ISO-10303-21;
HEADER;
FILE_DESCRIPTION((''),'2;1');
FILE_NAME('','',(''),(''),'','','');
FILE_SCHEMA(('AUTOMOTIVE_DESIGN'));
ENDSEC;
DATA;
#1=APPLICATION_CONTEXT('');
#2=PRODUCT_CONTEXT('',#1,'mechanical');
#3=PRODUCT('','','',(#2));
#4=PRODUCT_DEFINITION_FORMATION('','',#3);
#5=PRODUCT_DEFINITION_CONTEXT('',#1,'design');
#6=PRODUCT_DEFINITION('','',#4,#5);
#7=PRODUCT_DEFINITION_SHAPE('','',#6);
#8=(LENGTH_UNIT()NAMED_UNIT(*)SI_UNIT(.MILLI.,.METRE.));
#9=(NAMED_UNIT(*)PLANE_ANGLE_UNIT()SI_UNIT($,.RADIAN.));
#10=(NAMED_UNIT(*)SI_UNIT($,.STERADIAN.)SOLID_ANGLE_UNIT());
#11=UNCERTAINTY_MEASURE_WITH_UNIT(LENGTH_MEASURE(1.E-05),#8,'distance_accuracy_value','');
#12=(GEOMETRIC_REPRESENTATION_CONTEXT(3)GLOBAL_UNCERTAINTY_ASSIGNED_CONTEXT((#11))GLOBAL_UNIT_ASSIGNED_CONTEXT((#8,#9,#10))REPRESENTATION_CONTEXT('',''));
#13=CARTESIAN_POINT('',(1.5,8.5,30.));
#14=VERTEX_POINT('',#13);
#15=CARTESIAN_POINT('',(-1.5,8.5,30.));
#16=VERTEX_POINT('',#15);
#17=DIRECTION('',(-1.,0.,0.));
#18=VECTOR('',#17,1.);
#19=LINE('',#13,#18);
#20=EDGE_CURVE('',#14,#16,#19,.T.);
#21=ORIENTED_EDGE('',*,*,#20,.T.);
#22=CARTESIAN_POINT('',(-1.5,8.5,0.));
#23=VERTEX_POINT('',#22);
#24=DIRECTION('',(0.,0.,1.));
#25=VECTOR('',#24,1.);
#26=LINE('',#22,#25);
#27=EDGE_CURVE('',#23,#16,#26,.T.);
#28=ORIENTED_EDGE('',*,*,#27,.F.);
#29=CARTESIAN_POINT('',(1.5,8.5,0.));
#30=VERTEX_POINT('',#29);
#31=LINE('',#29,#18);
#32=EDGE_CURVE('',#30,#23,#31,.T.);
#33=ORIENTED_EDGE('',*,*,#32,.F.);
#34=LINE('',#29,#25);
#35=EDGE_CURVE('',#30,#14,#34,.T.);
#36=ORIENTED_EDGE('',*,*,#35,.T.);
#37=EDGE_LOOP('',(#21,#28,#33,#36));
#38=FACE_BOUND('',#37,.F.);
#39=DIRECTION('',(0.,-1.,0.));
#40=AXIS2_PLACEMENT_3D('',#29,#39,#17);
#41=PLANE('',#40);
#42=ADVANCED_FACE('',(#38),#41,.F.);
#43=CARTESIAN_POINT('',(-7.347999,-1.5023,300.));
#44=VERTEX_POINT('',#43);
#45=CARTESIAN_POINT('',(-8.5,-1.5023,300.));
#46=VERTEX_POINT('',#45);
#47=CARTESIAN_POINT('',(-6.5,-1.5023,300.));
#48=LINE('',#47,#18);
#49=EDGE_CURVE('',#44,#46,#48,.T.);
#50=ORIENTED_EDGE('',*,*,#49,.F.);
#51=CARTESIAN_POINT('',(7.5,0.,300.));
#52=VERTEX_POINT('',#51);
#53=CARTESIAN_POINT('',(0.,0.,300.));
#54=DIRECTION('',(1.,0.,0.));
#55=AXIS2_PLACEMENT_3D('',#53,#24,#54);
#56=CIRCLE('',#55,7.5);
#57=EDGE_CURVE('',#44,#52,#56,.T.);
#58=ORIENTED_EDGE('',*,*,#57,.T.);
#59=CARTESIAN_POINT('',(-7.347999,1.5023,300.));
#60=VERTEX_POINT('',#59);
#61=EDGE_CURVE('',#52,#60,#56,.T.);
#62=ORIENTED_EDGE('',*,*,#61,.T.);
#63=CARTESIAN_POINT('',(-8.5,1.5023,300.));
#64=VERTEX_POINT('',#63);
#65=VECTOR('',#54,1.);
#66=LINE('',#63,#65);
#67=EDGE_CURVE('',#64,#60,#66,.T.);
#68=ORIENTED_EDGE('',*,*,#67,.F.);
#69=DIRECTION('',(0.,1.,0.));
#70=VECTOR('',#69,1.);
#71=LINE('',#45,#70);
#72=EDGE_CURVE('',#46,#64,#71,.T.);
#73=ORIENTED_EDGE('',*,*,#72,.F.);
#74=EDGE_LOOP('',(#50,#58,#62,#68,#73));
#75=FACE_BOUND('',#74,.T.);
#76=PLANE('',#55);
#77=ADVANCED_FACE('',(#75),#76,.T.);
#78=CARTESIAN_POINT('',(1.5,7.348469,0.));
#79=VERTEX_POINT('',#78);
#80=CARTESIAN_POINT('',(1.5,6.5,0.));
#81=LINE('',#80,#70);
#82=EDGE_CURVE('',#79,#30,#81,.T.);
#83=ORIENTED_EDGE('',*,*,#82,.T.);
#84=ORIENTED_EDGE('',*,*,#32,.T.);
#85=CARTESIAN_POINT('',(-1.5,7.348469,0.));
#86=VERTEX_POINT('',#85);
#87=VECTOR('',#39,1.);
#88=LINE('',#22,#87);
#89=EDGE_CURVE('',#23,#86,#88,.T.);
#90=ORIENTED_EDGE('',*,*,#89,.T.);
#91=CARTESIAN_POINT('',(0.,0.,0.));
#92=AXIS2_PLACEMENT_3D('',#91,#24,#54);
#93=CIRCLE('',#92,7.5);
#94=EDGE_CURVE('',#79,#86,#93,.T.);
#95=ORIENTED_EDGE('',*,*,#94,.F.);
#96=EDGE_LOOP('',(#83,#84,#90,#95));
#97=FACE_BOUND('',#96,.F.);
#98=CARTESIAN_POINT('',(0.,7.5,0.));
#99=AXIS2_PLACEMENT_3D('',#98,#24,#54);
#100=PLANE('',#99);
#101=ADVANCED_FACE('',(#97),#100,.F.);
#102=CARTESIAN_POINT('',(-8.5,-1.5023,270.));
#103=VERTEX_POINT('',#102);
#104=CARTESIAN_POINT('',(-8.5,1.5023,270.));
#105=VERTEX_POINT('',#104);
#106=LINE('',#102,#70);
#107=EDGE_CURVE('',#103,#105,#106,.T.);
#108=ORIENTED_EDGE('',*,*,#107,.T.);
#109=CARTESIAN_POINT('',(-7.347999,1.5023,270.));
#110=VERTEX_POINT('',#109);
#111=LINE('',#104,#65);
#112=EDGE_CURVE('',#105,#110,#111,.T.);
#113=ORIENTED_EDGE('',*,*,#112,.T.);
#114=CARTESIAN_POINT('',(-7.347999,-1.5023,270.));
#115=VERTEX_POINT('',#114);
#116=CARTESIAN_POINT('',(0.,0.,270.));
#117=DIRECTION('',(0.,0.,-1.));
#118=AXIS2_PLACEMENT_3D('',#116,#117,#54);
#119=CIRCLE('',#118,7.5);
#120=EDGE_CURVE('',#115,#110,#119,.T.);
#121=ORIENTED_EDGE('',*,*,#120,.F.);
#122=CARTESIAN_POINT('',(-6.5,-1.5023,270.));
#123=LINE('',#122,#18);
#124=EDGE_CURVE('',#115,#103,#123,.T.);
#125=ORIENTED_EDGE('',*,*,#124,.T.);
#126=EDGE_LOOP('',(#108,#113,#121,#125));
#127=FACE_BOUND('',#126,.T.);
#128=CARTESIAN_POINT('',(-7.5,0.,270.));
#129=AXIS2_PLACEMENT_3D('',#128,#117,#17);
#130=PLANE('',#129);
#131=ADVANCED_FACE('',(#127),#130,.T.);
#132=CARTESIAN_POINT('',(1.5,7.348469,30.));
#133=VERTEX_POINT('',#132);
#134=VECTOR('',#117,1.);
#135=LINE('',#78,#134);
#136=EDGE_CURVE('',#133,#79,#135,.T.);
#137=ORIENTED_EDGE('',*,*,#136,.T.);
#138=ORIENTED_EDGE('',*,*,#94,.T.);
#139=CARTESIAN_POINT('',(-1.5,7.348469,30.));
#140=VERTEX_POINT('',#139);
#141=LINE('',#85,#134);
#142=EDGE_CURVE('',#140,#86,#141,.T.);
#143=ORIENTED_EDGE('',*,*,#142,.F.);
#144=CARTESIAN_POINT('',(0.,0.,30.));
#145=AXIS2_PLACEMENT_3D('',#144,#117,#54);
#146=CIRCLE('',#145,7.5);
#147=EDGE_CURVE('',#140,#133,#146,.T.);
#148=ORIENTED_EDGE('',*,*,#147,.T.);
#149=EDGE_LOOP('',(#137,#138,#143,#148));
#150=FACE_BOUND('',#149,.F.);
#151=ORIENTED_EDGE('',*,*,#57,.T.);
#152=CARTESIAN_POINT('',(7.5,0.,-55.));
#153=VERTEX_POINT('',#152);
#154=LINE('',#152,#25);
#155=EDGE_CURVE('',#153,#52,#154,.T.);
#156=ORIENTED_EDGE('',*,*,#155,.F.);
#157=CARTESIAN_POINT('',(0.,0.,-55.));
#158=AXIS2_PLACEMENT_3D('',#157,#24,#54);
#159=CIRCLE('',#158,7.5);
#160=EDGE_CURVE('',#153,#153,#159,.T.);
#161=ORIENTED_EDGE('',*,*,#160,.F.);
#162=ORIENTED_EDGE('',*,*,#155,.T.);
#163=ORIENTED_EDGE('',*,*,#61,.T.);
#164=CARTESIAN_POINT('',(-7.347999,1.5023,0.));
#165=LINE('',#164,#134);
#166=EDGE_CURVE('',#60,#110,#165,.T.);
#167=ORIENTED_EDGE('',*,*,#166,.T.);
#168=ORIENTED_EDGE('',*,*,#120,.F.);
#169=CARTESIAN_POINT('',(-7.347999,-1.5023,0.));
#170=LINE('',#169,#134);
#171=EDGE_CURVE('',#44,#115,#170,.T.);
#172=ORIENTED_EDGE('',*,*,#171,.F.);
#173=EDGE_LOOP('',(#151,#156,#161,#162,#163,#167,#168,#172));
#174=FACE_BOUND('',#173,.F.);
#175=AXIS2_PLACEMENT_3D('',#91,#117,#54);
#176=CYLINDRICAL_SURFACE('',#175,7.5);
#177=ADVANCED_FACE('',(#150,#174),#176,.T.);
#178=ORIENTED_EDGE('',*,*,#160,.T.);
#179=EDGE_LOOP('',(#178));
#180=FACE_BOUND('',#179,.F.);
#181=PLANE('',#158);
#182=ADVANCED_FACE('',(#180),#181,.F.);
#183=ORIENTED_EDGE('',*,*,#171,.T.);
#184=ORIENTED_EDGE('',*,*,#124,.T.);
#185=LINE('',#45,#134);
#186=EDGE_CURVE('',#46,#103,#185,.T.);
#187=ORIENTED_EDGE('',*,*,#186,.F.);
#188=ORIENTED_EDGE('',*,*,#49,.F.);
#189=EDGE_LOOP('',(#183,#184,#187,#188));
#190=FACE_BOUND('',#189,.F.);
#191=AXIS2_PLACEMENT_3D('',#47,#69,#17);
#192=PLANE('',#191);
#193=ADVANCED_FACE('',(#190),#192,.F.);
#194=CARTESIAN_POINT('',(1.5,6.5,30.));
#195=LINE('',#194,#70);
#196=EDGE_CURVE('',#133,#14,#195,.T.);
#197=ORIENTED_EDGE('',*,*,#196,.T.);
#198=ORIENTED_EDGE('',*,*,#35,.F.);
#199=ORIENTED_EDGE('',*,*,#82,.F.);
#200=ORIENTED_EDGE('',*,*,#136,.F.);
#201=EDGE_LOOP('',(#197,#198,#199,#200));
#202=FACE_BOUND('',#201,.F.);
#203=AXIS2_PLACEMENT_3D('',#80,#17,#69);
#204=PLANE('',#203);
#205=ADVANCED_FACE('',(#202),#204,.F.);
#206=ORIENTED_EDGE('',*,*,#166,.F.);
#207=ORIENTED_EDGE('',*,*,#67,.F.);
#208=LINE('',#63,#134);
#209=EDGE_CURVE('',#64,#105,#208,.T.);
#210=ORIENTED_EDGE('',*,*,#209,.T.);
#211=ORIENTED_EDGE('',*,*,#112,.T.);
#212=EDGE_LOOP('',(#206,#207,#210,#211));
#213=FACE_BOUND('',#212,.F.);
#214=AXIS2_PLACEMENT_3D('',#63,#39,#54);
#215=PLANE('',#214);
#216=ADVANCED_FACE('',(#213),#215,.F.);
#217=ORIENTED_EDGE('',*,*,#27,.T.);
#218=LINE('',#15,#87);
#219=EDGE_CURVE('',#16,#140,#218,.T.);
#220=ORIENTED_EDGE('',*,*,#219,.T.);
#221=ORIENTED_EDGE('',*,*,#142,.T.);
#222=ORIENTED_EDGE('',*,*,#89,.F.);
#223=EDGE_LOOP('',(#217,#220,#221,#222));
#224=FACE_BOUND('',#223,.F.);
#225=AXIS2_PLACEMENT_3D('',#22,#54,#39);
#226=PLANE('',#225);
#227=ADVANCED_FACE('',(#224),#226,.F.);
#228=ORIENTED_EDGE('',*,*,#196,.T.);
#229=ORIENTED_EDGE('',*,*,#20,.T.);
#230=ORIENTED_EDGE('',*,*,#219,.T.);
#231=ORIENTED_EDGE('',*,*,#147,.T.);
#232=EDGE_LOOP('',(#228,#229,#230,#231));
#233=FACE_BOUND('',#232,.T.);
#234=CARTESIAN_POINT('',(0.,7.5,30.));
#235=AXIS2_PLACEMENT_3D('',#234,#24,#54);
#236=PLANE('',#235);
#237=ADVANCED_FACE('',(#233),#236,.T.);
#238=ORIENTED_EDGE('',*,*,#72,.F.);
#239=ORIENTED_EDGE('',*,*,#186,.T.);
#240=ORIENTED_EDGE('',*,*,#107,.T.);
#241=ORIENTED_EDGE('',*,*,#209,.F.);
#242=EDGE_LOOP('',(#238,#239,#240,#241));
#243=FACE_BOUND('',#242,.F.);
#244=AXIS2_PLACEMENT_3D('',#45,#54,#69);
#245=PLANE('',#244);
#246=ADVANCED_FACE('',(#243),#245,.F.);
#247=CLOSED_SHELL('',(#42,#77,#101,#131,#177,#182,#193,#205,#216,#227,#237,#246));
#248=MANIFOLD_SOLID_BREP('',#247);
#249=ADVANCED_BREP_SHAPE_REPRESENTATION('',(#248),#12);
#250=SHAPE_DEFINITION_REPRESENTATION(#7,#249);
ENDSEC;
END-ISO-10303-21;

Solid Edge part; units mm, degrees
sketch "Sketch1" plane through (0, 0, 0) normal (0, 0, 1) x (1, 0, 0)
  circle A0 centre (0, 0) radius 7.5
  dimension "D1" = 15
extrude "ExtrudedProtrusion_1" add sketch "Sketch1" along normal blind 300 and the other way blind 55
sketch "Sketch2" plane through (0, 0, 0) normal (0, 0, 1) x (1, 0, 0)
  line L0 (-1.5, 6.5) -> (1.5, 6.5)
  line L1 (1.5, 6.5) -> (1.5, 8.5)
  line L2 (1.5, 8.5) -> (-1.5, 8.5)
  line L3 (-1.5, 8.5) -> (-1.5, 6.5)
  dimension "D1" = 6.5
  dimension "D2" = 3
extrude "ExtrudedProtrusion_2" add sketch "Sketch2" along normal blind 30
sketch "Sketch3" plane through (0, 0, 300) normal (0, 0, 1) x (0, 1, 0)
  line L0 (1.5023, 6.5) -> (-1.5023, 6.5)
  line L1 (-1.5023, 6.5) -> (-1.5023, 8.5)
  line L2 (-1.5023, 8.5) -> (1.5023, 8.5)
  line L3 (1.5023, 8.5) -> (1.5023, 6.5)
  dimension "D1" = 3.0045
  dimension "D2" = 2
  dimension "D3" = 6.5
extrude "ExtrudedProtrusion_3" add sketch "Sketch3" against normal blind 30
